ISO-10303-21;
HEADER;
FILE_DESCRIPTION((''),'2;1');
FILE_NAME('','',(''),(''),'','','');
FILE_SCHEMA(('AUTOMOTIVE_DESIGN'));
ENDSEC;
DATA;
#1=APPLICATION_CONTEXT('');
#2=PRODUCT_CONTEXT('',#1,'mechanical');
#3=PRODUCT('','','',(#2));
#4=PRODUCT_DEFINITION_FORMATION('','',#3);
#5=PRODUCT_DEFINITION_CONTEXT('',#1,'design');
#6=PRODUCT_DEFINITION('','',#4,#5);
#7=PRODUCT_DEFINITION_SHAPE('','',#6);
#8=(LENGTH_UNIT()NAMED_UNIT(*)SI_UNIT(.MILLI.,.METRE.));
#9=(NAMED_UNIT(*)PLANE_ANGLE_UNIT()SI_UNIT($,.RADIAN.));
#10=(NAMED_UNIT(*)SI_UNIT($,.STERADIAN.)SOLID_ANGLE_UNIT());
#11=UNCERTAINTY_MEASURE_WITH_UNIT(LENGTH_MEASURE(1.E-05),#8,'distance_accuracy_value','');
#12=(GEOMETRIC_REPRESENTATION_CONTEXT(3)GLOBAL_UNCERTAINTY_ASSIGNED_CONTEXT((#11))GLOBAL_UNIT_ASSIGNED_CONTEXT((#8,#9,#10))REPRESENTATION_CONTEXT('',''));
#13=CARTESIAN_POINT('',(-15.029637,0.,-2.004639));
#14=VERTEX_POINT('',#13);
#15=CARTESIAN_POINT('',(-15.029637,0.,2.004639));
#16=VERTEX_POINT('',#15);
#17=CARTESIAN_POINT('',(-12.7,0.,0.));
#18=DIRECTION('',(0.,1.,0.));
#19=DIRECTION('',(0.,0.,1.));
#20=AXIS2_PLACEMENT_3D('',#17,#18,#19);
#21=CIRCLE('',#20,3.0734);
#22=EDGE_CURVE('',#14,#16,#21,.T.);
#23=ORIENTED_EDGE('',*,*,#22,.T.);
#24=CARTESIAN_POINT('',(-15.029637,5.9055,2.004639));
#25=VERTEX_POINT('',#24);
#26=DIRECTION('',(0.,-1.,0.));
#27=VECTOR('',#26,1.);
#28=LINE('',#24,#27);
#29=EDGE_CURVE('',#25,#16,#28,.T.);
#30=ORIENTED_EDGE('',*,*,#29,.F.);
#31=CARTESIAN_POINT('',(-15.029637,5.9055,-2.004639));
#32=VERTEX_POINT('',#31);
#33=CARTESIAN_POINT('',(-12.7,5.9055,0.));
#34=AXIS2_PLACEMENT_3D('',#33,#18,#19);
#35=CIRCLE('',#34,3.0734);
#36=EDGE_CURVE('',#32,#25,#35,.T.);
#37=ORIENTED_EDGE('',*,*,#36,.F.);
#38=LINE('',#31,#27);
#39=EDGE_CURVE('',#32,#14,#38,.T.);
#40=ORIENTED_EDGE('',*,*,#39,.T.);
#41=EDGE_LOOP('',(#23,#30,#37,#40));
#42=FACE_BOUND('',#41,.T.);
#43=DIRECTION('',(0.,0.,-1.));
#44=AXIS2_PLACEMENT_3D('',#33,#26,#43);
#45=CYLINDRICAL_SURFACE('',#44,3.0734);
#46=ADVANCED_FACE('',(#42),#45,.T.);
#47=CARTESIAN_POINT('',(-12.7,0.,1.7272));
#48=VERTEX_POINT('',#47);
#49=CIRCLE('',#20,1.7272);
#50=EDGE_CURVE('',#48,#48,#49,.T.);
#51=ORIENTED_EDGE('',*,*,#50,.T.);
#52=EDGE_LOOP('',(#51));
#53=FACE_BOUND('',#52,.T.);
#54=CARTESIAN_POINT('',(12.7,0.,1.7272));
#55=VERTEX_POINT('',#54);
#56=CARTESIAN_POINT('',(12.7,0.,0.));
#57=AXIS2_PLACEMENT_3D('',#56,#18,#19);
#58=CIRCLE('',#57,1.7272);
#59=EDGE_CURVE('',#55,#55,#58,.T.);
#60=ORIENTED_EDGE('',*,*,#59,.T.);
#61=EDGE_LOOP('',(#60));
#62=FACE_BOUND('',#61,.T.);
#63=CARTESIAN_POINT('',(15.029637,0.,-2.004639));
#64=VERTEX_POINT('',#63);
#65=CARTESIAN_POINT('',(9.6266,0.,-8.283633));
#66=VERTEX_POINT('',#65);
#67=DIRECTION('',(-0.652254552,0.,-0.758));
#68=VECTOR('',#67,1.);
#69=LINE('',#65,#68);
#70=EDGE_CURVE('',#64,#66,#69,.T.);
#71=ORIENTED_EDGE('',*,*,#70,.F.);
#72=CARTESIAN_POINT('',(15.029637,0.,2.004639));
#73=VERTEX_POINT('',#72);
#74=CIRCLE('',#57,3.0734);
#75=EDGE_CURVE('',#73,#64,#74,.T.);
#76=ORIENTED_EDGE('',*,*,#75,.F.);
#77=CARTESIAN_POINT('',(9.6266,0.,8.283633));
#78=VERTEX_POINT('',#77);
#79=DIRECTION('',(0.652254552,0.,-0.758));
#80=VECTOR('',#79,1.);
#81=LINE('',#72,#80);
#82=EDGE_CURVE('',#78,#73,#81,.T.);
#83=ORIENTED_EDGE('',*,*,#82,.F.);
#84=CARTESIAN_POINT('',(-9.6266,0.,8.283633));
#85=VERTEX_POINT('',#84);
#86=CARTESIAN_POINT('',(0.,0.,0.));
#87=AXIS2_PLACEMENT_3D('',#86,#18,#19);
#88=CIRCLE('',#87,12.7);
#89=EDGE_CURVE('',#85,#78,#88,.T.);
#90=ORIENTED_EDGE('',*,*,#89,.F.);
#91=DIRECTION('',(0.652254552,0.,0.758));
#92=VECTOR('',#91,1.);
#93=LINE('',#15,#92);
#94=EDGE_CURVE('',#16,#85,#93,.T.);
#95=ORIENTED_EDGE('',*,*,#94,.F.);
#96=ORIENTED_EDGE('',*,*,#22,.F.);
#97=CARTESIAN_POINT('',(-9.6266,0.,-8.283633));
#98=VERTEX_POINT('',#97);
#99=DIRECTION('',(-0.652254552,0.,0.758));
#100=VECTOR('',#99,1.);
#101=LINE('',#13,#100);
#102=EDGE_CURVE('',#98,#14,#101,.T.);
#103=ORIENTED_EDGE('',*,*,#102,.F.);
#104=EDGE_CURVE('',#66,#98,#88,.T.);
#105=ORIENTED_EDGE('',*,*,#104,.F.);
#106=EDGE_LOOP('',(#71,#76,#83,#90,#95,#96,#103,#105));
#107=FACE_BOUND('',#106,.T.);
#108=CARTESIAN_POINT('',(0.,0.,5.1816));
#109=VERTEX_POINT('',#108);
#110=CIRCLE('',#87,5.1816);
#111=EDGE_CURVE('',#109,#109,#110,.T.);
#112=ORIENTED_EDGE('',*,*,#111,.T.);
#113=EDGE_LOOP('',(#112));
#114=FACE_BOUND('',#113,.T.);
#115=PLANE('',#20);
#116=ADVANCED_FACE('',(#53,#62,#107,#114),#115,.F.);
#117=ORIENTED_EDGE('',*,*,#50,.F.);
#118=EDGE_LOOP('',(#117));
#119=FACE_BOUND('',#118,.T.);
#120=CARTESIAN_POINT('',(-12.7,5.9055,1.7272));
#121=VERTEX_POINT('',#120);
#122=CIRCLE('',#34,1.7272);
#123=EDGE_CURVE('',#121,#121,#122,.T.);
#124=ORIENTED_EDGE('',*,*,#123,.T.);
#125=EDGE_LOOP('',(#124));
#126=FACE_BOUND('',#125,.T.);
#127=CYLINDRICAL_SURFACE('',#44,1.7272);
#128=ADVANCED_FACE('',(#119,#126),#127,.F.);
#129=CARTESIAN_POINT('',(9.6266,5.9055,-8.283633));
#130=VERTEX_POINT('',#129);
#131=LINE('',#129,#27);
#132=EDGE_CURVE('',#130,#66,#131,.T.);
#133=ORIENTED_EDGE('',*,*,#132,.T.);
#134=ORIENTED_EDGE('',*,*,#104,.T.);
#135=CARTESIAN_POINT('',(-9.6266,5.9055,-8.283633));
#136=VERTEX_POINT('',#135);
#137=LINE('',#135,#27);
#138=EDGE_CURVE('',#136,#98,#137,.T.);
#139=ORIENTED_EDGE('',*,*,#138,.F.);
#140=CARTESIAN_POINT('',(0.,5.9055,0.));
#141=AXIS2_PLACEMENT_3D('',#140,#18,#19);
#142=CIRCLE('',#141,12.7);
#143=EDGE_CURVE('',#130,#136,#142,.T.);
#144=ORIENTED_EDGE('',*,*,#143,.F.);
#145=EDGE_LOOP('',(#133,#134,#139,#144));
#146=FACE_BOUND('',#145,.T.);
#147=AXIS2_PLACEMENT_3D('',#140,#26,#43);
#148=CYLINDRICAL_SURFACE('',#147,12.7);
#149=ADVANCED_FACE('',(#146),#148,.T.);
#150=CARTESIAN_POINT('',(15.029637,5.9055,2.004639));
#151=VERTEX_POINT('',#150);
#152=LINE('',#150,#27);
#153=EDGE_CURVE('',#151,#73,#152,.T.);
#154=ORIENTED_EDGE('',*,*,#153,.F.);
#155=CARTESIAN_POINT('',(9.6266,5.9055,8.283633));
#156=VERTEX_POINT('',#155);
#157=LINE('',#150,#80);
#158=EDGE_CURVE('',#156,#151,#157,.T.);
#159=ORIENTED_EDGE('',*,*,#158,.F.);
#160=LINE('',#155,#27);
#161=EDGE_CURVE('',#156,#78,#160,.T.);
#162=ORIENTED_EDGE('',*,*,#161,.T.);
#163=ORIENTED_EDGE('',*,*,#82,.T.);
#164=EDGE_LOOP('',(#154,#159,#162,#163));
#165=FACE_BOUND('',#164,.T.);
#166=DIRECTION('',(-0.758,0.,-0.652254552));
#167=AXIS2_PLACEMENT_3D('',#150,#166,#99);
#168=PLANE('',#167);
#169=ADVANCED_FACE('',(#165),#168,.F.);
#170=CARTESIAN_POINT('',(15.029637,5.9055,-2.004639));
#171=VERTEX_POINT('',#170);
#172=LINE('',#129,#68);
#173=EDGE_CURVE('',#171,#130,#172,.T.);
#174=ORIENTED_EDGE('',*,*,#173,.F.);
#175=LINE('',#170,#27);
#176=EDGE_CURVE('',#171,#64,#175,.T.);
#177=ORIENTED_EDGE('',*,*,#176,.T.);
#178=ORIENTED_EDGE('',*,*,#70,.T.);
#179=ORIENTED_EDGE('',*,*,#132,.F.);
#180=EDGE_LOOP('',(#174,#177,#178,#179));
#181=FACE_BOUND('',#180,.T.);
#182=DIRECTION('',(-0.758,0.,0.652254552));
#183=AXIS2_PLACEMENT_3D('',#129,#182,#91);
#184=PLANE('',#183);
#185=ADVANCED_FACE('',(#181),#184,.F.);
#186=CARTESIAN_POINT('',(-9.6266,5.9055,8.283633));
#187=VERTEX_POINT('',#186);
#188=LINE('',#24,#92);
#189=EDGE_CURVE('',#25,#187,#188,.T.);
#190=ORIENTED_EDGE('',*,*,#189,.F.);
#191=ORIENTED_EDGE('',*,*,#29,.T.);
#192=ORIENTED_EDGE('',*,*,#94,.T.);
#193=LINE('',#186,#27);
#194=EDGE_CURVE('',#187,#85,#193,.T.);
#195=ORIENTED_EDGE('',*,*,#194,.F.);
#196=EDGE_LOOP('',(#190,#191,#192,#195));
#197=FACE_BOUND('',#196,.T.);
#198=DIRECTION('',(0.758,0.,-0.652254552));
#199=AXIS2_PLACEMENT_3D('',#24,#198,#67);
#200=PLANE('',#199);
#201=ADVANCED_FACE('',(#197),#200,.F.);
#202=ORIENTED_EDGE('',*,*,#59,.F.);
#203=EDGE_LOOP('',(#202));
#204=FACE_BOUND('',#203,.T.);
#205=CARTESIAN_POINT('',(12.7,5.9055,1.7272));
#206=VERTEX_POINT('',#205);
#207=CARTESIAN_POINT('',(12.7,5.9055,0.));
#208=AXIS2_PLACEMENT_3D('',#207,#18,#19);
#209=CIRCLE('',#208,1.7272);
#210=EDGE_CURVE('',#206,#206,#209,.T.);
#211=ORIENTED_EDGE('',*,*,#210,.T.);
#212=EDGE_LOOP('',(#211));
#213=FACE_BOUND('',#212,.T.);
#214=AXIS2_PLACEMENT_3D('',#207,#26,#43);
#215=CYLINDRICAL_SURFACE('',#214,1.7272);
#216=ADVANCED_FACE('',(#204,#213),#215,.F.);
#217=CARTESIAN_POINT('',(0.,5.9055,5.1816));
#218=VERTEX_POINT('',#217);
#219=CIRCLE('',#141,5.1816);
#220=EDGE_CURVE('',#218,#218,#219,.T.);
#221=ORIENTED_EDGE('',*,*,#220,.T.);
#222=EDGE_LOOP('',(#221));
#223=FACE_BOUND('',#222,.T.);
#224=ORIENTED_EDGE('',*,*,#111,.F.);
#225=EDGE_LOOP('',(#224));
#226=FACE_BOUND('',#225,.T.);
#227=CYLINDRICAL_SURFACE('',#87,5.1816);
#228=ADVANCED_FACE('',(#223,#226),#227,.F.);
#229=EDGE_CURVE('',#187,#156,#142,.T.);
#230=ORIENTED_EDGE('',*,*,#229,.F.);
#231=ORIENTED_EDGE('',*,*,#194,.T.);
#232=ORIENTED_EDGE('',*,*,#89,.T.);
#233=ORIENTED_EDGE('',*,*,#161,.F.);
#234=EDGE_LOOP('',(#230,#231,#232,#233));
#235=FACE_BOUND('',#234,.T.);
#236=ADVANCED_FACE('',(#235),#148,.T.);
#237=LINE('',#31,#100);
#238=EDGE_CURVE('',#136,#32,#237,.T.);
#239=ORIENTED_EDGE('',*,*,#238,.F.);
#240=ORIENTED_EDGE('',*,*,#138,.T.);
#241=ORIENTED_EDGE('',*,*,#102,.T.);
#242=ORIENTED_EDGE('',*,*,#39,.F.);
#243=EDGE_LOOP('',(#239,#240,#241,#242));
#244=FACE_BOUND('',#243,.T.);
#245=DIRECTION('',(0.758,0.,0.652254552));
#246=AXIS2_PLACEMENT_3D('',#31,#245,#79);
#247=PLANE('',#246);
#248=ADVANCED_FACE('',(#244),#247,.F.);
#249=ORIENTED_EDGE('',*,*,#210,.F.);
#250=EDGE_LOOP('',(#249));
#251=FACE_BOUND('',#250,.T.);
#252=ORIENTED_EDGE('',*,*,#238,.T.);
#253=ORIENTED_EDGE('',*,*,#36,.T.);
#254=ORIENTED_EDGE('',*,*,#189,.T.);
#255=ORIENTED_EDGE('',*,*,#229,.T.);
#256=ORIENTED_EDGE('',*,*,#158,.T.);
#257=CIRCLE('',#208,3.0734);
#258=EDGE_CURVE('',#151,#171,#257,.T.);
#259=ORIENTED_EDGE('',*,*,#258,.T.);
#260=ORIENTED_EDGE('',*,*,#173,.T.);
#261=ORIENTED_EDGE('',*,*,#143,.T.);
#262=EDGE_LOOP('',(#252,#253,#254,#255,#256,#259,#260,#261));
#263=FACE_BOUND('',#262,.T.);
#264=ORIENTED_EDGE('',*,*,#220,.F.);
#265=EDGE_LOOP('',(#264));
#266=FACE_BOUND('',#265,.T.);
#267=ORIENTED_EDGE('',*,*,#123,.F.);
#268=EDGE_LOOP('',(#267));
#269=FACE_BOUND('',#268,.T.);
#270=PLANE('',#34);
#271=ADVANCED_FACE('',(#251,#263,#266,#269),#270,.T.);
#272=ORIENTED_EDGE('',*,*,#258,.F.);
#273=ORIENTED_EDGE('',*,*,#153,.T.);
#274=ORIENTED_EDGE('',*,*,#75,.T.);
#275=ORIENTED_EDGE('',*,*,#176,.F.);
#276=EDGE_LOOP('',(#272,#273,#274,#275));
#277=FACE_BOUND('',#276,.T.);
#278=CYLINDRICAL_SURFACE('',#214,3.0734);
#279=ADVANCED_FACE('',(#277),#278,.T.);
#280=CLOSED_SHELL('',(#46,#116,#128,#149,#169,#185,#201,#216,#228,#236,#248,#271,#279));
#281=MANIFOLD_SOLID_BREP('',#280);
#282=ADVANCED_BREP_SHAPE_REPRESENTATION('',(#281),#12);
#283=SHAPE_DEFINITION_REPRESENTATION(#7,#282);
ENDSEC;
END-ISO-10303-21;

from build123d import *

# Parameters (mm, degrees)
SKETCH1_R           = 1.7272
BOSS_EXTRUDE1_DEPTH = 5.9055
SKETCH6_R           = 5.1816
CUT_EXTRUDE4_DEPTH  = 22.094195358


with BuildPart() as part:
    # Sketch1 → Boss-Extrude1 (new body)
    with BuildSketch(Plane(origin=(0, 0, 0), x_dir=(1, 0, 0), z_dir=(0, 1, 0))):
        with BuildLine():
            Line((-15.0296372, 2.004639139), (-9.6266, 8.283632805))
            ThreePointArc((-9.6266, 8.283632805), (0, 12.7), (9.6266, 8.283632805))
            Line((9.6266, 8.283632805), (15.0296372, 2.004639139))
            ThreePointArc((15.0296372, 2.004639139), (15.7734, 0), (15.0296372, -2.004639139))
            Line((15.0296372, -2.004639139), (9.6266, -8.283632805))
            ThreePointArc((9.6266, -8.283632805), (0, -12.7), (-9.6266, -8.283632805))
            Line((-9.6266, -8.283632805), (-15.0296372, -2.004639139))
            ThreePointArc((-15.0296372, -2.004639139), (-15.7734, 0), (-15.0296372, 2.004639139))
        make_face()
        with Locations(Location((-12.7, 0, 0), (0, 0, 270))):
            Circle(SKETCH1_R, mode=Mode.SUBTRACT)
        with Locations(Location((12.7, 0, 0), (0, 0, 270))):
            Circle(SKETCH1_R, mode=Mode.SUBTRACT)
    extrude(amount=BOSS_EXTRUDE1_DEPTH)

    # Sketch6 → Cut-Extrude4 (cut, through all)
    with BuildSketch(Plane(origin=(0, 5.9055, 0), x_dir=(1, 0, 0), z_dir=(0, 1, 0))):
        with Locations(Location((0, 0, 0), (0, 0, 270))):
            Circle(SKETCH6_R)
    extrude(amount=-CUT_EXTRUDE4_DEPTH, mode=Mode.SUBTRACT)


solid = part.part
